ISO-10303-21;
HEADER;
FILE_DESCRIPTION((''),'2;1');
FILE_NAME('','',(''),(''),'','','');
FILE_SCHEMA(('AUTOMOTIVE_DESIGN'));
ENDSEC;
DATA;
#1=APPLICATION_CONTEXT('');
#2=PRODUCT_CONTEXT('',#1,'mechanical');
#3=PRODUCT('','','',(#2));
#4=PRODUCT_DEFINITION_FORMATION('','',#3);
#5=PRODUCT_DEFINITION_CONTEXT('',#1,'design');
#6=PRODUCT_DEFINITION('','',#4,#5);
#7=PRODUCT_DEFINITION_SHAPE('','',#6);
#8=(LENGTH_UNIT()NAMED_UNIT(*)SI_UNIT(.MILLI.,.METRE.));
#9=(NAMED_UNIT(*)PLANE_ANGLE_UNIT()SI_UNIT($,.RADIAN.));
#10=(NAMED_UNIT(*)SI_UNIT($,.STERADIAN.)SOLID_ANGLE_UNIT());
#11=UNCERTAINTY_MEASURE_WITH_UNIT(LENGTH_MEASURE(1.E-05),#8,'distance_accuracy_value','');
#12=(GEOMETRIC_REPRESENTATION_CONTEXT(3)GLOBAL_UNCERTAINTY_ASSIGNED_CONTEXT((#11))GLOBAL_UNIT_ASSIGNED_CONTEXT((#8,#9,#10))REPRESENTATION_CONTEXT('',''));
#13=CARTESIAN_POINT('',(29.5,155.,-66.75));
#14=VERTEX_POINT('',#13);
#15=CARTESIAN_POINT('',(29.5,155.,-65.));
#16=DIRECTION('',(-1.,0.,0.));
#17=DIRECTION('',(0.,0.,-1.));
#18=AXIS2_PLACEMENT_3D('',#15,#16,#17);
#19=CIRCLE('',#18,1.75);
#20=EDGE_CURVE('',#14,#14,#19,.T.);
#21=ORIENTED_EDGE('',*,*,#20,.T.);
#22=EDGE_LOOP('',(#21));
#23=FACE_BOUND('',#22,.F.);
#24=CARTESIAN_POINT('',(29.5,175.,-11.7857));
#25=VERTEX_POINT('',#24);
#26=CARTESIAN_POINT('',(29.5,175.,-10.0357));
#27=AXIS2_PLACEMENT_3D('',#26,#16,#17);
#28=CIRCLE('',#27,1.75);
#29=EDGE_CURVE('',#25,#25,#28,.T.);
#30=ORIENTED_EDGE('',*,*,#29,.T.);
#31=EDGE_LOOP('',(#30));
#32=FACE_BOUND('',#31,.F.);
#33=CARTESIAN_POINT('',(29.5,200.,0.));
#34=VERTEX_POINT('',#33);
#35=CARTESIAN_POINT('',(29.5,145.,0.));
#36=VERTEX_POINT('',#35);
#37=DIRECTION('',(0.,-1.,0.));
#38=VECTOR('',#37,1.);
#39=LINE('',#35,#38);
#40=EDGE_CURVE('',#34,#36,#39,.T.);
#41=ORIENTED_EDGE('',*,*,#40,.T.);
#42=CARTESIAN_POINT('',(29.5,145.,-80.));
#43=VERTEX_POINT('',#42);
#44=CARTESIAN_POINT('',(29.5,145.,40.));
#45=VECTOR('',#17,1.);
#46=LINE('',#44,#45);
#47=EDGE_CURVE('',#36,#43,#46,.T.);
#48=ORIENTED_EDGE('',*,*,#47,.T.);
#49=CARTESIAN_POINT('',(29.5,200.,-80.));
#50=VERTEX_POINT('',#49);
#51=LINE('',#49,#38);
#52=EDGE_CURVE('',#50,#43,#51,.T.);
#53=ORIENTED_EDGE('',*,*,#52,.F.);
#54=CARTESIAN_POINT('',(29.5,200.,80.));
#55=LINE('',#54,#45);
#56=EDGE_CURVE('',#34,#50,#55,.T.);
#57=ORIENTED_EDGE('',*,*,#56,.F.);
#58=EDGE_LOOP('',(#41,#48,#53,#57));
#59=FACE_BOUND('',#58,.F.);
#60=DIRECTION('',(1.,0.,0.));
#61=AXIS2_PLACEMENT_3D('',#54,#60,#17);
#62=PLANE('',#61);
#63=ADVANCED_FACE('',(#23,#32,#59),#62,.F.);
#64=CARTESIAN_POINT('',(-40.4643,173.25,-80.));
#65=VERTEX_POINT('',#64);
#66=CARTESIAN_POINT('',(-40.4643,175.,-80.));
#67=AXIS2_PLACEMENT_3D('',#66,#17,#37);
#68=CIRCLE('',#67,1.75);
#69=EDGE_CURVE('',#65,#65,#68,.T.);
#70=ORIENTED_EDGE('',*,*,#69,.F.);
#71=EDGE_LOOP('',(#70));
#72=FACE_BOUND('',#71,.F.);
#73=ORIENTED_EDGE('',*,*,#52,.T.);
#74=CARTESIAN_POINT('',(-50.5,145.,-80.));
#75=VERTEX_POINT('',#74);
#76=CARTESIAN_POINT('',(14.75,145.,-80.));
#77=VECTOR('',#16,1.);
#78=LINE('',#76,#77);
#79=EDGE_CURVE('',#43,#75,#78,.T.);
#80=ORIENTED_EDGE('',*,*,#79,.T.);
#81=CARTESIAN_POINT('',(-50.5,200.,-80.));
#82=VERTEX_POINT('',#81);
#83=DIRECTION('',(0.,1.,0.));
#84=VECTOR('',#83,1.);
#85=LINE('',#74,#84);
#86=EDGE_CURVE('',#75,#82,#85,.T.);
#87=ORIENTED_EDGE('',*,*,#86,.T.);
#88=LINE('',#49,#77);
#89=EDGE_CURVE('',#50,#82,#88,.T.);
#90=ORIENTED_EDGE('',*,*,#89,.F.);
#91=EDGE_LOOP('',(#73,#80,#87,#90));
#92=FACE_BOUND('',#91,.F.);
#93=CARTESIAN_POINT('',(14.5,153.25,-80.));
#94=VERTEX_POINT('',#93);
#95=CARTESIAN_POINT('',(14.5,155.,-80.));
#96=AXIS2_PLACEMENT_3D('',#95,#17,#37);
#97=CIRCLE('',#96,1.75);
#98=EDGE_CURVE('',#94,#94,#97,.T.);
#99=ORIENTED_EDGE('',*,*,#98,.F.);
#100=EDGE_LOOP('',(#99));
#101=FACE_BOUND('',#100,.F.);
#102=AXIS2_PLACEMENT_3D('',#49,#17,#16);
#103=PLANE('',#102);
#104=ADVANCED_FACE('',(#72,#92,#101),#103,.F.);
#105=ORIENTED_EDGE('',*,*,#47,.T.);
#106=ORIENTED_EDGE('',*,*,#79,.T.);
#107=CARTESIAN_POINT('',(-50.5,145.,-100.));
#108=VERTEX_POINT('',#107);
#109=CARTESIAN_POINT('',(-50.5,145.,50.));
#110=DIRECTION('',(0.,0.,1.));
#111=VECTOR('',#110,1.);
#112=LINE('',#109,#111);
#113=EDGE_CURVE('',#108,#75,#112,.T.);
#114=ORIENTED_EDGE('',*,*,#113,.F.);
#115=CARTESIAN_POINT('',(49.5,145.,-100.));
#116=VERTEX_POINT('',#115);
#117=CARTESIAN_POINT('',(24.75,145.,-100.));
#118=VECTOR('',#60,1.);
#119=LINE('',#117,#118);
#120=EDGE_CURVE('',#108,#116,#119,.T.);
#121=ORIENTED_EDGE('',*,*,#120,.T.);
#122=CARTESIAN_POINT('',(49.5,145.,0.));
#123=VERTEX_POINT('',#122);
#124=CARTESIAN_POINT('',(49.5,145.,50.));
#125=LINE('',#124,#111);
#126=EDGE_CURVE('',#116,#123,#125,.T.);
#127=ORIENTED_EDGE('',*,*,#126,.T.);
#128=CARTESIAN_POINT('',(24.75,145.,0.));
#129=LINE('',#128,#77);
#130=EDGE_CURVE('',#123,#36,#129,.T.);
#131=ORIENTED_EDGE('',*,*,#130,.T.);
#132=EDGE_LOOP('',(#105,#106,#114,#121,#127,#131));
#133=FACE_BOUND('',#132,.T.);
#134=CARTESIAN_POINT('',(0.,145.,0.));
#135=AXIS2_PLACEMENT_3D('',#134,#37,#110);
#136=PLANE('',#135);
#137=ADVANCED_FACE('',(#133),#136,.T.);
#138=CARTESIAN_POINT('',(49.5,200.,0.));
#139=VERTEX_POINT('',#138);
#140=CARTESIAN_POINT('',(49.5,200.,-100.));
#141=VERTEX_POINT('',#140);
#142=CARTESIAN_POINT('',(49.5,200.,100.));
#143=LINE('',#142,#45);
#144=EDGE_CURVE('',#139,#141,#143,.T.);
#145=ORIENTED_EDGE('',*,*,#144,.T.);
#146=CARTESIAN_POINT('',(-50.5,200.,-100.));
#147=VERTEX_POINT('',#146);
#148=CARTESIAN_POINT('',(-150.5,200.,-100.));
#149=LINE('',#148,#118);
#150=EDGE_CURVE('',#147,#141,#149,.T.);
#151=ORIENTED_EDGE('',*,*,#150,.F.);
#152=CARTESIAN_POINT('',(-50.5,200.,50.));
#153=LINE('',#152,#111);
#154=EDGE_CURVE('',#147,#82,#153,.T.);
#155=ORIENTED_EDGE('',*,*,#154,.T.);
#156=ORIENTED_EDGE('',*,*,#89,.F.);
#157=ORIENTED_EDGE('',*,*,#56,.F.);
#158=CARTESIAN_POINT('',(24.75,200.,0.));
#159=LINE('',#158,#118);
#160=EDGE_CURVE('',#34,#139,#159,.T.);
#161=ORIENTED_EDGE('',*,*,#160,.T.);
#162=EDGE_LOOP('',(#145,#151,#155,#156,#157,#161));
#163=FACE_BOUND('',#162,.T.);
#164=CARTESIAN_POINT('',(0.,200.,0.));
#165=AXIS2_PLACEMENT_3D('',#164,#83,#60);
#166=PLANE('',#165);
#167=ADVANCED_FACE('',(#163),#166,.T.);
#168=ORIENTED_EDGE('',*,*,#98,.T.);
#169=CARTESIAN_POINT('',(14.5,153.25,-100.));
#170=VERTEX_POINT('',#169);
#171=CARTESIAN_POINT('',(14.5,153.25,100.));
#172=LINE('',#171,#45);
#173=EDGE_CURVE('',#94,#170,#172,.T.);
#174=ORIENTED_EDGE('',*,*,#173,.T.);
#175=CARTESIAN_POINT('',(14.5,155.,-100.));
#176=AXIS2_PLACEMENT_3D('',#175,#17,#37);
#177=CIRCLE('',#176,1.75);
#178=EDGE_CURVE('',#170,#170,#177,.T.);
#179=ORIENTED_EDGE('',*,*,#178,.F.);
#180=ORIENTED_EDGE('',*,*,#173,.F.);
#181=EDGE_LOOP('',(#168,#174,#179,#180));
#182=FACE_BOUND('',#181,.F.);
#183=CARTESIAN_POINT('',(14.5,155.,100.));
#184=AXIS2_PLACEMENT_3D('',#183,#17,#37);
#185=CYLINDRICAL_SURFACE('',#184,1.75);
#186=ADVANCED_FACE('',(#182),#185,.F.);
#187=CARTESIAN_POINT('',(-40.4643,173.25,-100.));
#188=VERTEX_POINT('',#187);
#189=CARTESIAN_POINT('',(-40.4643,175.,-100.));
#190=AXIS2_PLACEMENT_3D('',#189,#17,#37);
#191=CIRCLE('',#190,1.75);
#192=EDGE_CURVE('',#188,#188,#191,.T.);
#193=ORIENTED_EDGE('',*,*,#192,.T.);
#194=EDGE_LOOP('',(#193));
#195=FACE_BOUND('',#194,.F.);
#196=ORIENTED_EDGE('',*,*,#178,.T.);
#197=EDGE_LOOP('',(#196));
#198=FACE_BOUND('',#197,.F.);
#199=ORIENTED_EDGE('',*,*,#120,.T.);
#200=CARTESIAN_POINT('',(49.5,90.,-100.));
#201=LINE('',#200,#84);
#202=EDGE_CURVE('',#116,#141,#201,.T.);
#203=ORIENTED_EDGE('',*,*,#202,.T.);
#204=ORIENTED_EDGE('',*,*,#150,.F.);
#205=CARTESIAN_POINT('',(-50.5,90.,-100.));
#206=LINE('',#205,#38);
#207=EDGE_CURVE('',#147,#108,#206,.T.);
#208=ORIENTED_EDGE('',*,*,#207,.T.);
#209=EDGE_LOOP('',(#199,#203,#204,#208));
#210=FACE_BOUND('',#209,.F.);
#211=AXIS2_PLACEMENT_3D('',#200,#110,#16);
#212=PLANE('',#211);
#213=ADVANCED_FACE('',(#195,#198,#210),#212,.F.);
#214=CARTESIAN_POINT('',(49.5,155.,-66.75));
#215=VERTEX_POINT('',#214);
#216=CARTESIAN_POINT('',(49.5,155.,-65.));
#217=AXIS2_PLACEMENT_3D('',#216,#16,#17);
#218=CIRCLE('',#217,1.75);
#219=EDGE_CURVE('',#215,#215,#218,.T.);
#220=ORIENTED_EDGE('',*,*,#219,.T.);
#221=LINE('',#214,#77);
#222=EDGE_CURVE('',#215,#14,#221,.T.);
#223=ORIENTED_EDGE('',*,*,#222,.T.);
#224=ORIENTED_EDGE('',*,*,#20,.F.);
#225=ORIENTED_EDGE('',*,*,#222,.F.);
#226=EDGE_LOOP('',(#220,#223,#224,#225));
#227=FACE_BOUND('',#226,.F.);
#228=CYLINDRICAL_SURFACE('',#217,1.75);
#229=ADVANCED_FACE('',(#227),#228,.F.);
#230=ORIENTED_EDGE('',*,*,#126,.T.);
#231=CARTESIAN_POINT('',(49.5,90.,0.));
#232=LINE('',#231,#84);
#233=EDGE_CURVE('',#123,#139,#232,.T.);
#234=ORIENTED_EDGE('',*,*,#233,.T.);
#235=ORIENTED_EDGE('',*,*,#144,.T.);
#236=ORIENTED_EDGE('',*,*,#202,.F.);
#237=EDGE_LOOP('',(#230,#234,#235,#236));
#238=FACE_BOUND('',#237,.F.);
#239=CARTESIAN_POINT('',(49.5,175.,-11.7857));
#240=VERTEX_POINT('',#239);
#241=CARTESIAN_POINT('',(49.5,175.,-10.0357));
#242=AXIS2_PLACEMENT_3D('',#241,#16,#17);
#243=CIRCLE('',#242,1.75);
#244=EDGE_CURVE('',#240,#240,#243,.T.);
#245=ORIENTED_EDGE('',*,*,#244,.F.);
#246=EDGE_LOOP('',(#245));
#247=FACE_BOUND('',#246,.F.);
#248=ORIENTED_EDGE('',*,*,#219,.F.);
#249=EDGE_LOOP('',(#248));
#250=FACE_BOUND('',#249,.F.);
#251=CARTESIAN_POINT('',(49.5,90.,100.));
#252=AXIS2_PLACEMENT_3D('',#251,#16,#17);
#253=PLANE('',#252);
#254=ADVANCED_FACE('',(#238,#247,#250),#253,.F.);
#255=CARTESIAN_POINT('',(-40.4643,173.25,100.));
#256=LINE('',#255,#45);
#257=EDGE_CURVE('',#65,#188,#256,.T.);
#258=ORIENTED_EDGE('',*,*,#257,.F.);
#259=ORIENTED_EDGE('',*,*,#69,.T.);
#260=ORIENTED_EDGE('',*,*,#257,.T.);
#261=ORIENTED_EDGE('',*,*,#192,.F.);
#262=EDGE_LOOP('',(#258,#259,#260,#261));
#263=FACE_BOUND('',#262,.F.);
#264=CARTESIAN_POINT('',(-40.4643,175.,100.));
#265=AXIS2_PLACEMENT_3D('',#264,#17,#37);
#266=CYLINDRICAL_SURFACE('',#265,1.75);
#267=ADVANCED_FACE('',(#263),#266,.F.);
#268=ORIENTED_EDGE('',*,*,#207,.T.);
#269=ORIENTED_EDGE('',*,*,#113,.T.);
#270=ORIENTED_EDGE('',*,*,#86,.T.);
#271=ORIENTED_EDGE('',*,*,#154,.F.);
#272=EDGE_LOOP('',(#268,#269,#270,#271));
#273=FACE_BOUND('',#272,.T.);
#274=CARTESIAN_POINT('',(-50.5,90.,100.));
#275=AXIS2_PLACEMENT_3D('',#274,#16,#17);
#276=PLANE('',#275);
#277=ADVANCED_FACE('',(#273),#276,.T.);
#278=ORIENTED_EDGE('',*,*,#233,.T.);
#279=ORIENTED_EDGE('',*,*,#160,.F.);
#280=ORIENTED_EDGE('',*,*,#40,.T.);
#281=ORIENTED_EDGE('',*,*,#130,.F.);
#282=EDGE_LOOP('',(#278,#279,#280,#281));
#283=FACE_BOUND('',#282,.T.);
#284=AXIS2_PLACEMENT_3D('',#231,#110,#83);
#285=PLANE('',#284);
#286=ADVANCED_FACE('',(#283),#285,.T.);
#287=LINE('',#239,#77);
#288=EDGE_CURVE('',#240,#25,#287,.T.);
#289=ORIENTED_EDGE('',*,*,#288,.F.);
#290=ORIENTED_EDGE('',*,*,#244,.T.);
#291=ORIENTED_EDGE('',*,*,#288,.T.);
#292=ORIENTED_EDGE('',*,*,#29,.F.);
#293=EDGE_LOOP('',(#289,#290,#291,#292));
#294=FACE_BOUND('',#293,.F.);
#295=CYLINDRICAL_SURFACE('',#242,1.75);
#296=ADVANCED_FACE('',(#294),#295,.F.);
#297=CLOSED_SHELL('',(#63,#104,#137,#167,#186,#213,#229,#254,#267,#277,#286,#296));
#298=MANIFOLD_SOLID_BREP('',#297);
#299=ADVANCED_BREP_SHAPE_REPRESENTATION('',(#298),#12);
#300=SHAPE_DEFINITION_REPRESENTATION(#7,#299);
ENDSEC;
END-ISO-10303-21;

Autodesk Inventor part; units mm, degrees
ref_plane "YZ Plane" through (0, 0, 0) normal (1, 0, 0) x (0, 1, 0)
ref_plane "XZ Plane" through (0, 0, 0) normal (0, 1, 0) x (-1, 0, 0)
ref_plane "XY Plane" through (0, 0, 0) normal (0, 0, 1) x (1, 0, 0)
sketch "Boceto2" plane through (0, 0, 0) normal (0, 1, 0) x (-1, 0, 0)
  line L0 (7.5, 100) -> (-7.5, 100)
  line L1 (-7.5, 100) -> (-7.5, -100)
  line L2 (-7.5, -100) -> (7.5, -100)
  line L3 (7.5, -100) -> (7.5, 100)
  line L4 (7.5, 100) -> (-7.5, -100) construction
  line L5 (-7.5, 100) -> (7.5, -100) construction
  point P0 (0, 0)
  dimension "d7" = 15
  dimension "d8" = 200
extrude "Extrusión1" add sketch "Boceto2" along normal blind 10
sketch "Boceto3" plane through (0, 10, 0) normal (0, 1, 0) x (1, 0, 0)
  circle A0 centre (3.25, 58.25) radius 1.75
  line L0 (5, 50) -> (-5, 50)
  line L1 (-5, 50) -> (-5, 60)
  line L2 (-5, 60) -> (5, 60)
  line L3 (5, 60) -> (5, 50)
  line L4 (5, 50) -> (-5, 60) construction
  line L5 (-5, 50) -> (5, 60) construction
  circle A1 centre (-3.25, 51.75) radius 1.75
  line L6 (7.5, 100) -> (-7.5, 100) projected
  line L7 (-7.5, 0) -> (3.408, 0)
  line L8 (5, -60) -> (5, -50)
  line L9 (-5, -60) -> (5, -60)
  line L10 (5, -50) -> (-5, -50)
  line L11 (-5, -50) -> (-5, -60)
  line L12 (-5, -50) -> (5, -60) construction
  circle A2 centre (-3.25, -51.75) radius 1.75
  line L13 (5, -50) -> (-5, -60) construction
  circle A3 centre (3.25, -58.25) radius 1.75
  line L14 (-7.5, -100) -> (7.5, -100) projected
  point P0 (0, 0)
  point P1 (-5, 55)
  point P2 (0, 100)
  point P3 (-5, -55)
  dimension "d11" = 3.5
  dimension "d12" = 1.75
  dimension "d13" = 1.75
  dimension "d14" = 1.75
  dimension "d15" = 1.75
  dimension "d16" = 10
  dimension "d17" = 10
  dimension "d19" = 40
  dimension "d81" = 40
hole "Agujero1" at (3.25, 10, 58.25) at (-3.25, 10, 51.75) at (3.25, 10, -58.25) at (-3.25, 10, -51.75) direction (0, -1, 0) diameter 3.5 end through all
sketch "Boceto4" plane through (0, 10, 0) normal (0, 1, 0) x (1, 0, 0)
  line L0 (-7.5, 100) -> (-7.5, -100) projected
  line L1 (-7.5, -100) -> (7.5, -100)
  line L2 (7.5, -100) -> (7.5, -80)
  line L3 (7.5, -80) -> (-7.5, -80)
  line L4 (-7.5, -80) -> (-7.5, -100)
  line L5 (-7.5, 0) -> (1.0116, 0)
  line L6 (-7.5, -100) -> (-7.5, 100)
  line L7 (-7.5, 100) -> (7.5, 100)
  line L8 (7.5, 100) -> (7.5, 80)
  line L9 (7.5, 80) -> (-7.5, 80)
  line L10 (-7.5, 80) -> (-7.5, 100)
  point P0 (0, 0)
  point P1 (-7.5, -80)
  point P2 (-7.5, 80)
  dimension "d27" = 15
  dimension "d28" = 20
extrude "Extrusión2" add sketch "Boceto4" along normal blind 80
sketch "Boceto5" plane through (0, 90, 0) normal (0, 1, 0) x (1, 0, 0)
  line L0 (-7.5, -100) -> (7.5, -100) projected
  line L1 (-7.5, -100) -> (49.5, -100)
  line L2 (49.5, -100) -> (49.5, 100)
  line L3 (49.5, 100) -> (-7.5, 100)
  line L4 (-7.5, 100) -> (-7.5, -100)
  line L5 (49.5, -100) -> (-150.5, -100)
  line L6 (-150.5, -100) -> (-150.5, 100)
  line L7 (-150.5, 100) -> (49.5, 100)
  line L8 (49.5, 100) -> (49.5, -100)
  point P0 (0, 0)
  point P1 (-7.5, 100)
  dimension "d31" = 57
  dimension "d32" = 200
  dimension "d75" = 200
extrude "Extrusión3" add sketch "Boceto5" along normal blind 110
sketch "Boceto6" plane through (0, 200, 0) normal (0, 1, 0) x (1, 0, 0)
  line L0 (49.5, 100) -> (7.5, 100) projected
  line L1 (49.5, 100) -> (29.5, 100)
  line L2 (29.5, 100) -> (29.5, 80)
  line L3 (7.5, -100) -> (49.5, -100) projected
  line L4 (28.5, -100) -> (28.5, -80)
  line L5 (-150.5, 100) -> (-150.5, -100) projected
  line L6 (29.5, 80) -> (-150.5, 80)
  line L7 (-150.5, 80) -> (-150.5, -80)
  line L8 (-150.5, -80) -> (29.5, -80)
  line L9 (29.5, -80) -> (29.5, 80)
  line L10 (-150.5, -100) -> (49.5, -100) projected
  point P0 (7.5, 80)
  point P1 (-50.5, -100)
  dimension "d36" = 20
  dimension "d37" = 20
  dimension "d38" = 20
  dimension "d77" = 20
extrude "Extrusión4" cut sketch "Boceto6" against normal blind 90 contours L8 L5 L6 L9
sketch "Boceto7" plane through (-150.5, 90, -100) normal (-1, 0, 0) x (0, 0, 1)
  line L0 (0, 110) -> (20, 110) projected
  line L1 (20, 110) -> (10, 110)
  line L2 (10, 110) -> (10, 20)
  line L3 (10, 20) -> (20, 20)
  line L4 (20, 20) -> (20, 110)
  line L5 (180, 110) -> (180, 20) projected
  line L6 (180, 110) -> (190, 110)
  line L7 (190, 110) -> (190, 20)
  line L8 (190, 20) -> (180, 20)
  line L9 (180, 20) -> (180, 110)
  line L10 (200, 0) -> (200, 110) projected
  line L11 (0, 0) -> (0, 110) projected
  line L12 (0, 110) -> (10, 110)
  line L13 (10, 110) -> (10, 20)
  line L14 (10, 20) -> (0, 20)
  line L15 (0, 20) -> (0, 110)
  line L16 (200, 110) -> (0, 110) projected
  line L17 (200, 110) -> (190, 110)
  line L18 (190, 110) -> (190, 20)
  line L19 (190, 20) -> (200, 20)
  line L20 (200, 20) -> (200, 110)
  point P0 (100, -90)
  dimension "d63" = 10
  dimension "d65" = 10
  dimension "d76" = 10
extrude "Extrusión5" cut sketch "Boceto7" against normal blind 30 contours L6 L7 L8 L5 | L0 L4 L3 L2
sketch "Boceto8" plane through (-7.5, 0, 100) normal (0, 0, 1) x (1, 0, 0)
  line L0 (-113, 110) -> (-113, 200) projected
  line L1 (-113, 200) -> (-113, 110)
  circle A0 centre (-124.75, 183.25) radius 1.75
  line L2 (-123, 175) -> (-133, 175)
  line L3 (-133, 175) -> (-133, 185)
  line L4 (-133, 185) -> (-123, 185)
  line L5 (-123, 185) -> (-123, 175)
  line L6 (-123, 175) -> (-133, 185) construction
  line L7 (-133, 175) -> (-123, 185) construction
  circle A1 centre (-131.25, 176.75) radius 1.75
  line L8 (-143, 200) -> (57, 200) projected
  line L9 (-143, 90) -> (-143, 200) projected
  line L10 (-113, 155) -> (-128, 155)
  line L11 (-123, 125) -> (-123, 135)
  line L12 (-133, 125) -> (-123, 125)
  line L13 (-123, 135) -> (-133, 125) construction
  line L14 (-123, 135) -> (-133, 135)
  line L15 (-133, 135) -> (-123, 125) construction
  circle A2 centre (-131.25, 133.25) radius 1.75
  line L16 (-133, 135) -> (-133, 125)
  circle A3 centre (-124.75, 126.75) radius 1.75
  line L17 (-143, 110) -> (-113, 110) projected
  point P0 (7.5, 0)
  point P1 (-133, 180)
  point P2 (-123, 180)
  point P3 (-133, 130)
  point P4 (-123, 130)
  dimension "d45" = 3.5
  dimension "d46" = 1.75
  dimension "d47" = 1.75
  dimension "d48" = 1.75
  dimension "d49" = 1.75
  dimension "d50" = 10
  dimension "d51" = 10
  dimension "d52" = 15
  dimension "d53" = 10
  dimension "d54" = 10
  dimension "d55" = 15
hole "Agujero2" at (-132.25, 183.25, 100) at (-138.75, 176.75, 100) at (-138.75, 133.25, 100) at (-132.25, 126.75, 100) direction (0, 0, -1) diameter 3.5 end through all
ref_plane "Plano de trabajo1" through (-150.5, 90, 100) normal (0, -1, 0) x (1, 0, 0)
split "Dividir1" plane through (-150.5, 90, 100) removes the side toward (0, -1, 0)
ref_plane "Plano de trabajo2" through (49.5, 90, 0) normal (0, 0, -1) x (-1, 0, 0)
ref_plane "Plano de trabajo3" through (-50.5, 90, 100) normal (1, 0, 0) x (0, 0, -1)
ref_plane "Plano de trabajo4" through (0, 145, 0) normal (0, 1, 0) x (1, 0, 0)
sketch "Boceto9" plane through (-150.5, 90, 100) normal (0, 0, 1) x (1, 0, 0)
  line L0 (85.0357, 30) -> (115.0357, 30)
  circle A0 centre (110.0357, 25) radius 1.75
  line L1 (90.0357, 25) -> (110.0357, 25)
  line L2 (115.0357, 30) -> (115.0357, 20)
  circle A1 centre (90.0357, 25) radius 1.75
  line L3 (85.0357, 20) -> (115.0357, 30) construction
  line L4 (85.0357, 30) -> (115.0357, 20) construction
  line L5 (85.0357, 20) -> (85.0357, 30)
  line L6 (115.0357, 20) -> (85.0357, 20)
  line L7 (200, 0) -> (200, 110)
  line L8 (200, 55) -> (88.2857, 55)
  circle A2 centre (90.0357, 85) radius 1.75
  line L9 (85.0357, 80) -> (115.0357, 80)
  line L10 (85.0357, 80) -> (115.0357, 90) construction
  line L11 (85.0357, 90) -> (85.0357, 80)
  line L12 (115.0357, 90) -> (85.0357, 90)
  line L13 (85.0357, 90) -> (115.0357, 80) construction
  circle A3 centre (110.0357, 85) radius 1.75
  line L14 (90.0357, 85) -> (110.0357, 85)
  line L15 (115.0357, 80) -> (115.0357, 90)
  line L16 (100.0357, 55) -> (185.099, 55) construction
  line L17 (160, 70) -> (160, 40)
  circle A4 centre (165, 45) radius 1.75
  line L18 (170, 40) -> (170, 70)
  line L19 (170, 70) -> (160, 40) construction
  line L20 (160, 40) -> (170, 40)
  line L21 (160, 70) -> (170, 40) construction
  circle A5 centre (165, 65) radius 1.75
  line L22 (165, 65) -> (165, 45)
  line L23 (170, 70) -> (160, 70)
  circle A6 centre (55, 65) radius 1.75
  line L24 (60, 70) -> (60, 40)
  line L25 (60, 40) -> (50, 40)
  circle A7 centre (55, 45) radius 1.75
  line L26 (55, 65) -> (55, 45)
  line L27 (60, 70) -> (50, 40) construction
  line L28 (50, 40) -> (50, 70)
  line L29 (50, 70) -> (60, 40) construction
  line L30 (50, 70) -> (60, 70)
  line L31 (30, 110) -> (30, 20)
  point P0 (150.5, -90)
  point P1 (100.0357, 34.7141)
  point P2 (100.0357, 34.7141)
  point P3 (85.0357, 36.6749)
  point P4 (115.0357, 25)
  point P5 (115.0357, 85)
  point P6 (189.1833, 40)
  point P7 (165, 70)
  point P8 (70.0357, 40)
  point P9 (55, 70)
  dimension "d89" = 10
  dimension "d90" = 30
  dimension "d91" = 5
  dimension "d92" = 5
  dimension "d93" = 5
  dimension "d94" = 5
  dimension "d95" = 30
  dimension "d96" = 5
  dimension "d97" = 5
  dimension "d98" = 3.5
  dimension "d99" = 5
  dimension "d100" = 5
  dimension "d101" = 5
  dimension "d102" = 5
  dimension "d103" = 5
  dimension "d104" = 20
hole "Agujero3" at (-60.4643, 175, 100) at (-40.4643, 175, 100) at (14.5, 155, 100) at (-95.5, 155, 100) at (-95.5, 135, 100) at (-60.4643, 115, 100) at (-40.4643, 115, 100) at (14.5, 135, 100) direction (0, 0, -1) diameter 3.5 end through all
sketch "Boceto10" plane through (49.5, 90, 100) normal (1, 0, 0) x (0, 0, -1)
  line L0 (85.0357, 30) -> (115.0357, 30)
  circle A0 centre (110.0357, 25) radius 1.75
  line L1 (90.0357, 25) -> (110.0357, 25)
  line L2 (115.0357, 30) -> (115.0357, 20)
  circle A1 centre (90.0357, 25) radius 1.75
  line L3 (85.0357, 30) -> (115.0357, 20) construction
  line L4 (85.0357, 20) -> (85.0357, 30)
  line L5 (115.0357, 20) -> (85.0357, 20)
  line L6 (85.0357, 20) -> (115.0357, 30) construction
  line L7 (160, 70) -> (160, 40)
  circle A2 centre (165, 45) radius 1.75
  line L8 (160, 40) -> (170, 40)
  line L9 (165, 65) -> (165, 45)
  circle A3 centre (165, 65) radius 1.75
  line L10 (170, 70) -> (160, 40) construction
  line L11 (170, 70) -> (160, 70)
  line L12 (160, 70) -> (170, 40) construction
  line L13 (170, 40) -> (170, 70)
  line L14 (40, 70) -> (40, 40)
  line L15 (35, 65) -> (35, 45)
  circle A4 centre (35, 65) radius 1.75
  line L16 (40, 40) -> (30, 40)
  line L17 (40, 70) -> (30, 40) construction
  line L18 (30, 70) -> (40, 40) construction
  line L19 (30, 70) -> (40, 70)
  line L20 (30, 40) -> (30, 70)
  circle A5 centre (35, 45) radius 1.75
  circle A6 centre (90.0357, 85) radius 1.75
  line L21 (85.0357, 80) -> (115.0357, 80)
  line L22 (115.0357, 80) -> (115.0357, 90)
  circle A7 centre (110.0357, 85) radius 1.75
  line L23 (90.0357, 85) -> (110.0357, 85)
  line L24 (85.0357, 80) -> (115.0357, 90) construction
  line L25 (85.0357, 90) -> (85.0357, 80)
  line L26 (115.0357, 90) -> (85.0357, 90)
  line L27 (85.0357, 90) -> (115.0357, 80) construction
  line L28 (0, 0) -> (0, 110)
  line L29 (200, 0) -> (200, 110)
  point P0 (100, -90)
  point P1 (100.0357, 34.7141)
  point P2 (100.0357, 34.7141)
  point P3 (85.0357, 36.6749)
  point P4 (115.0357, 25)
  point P5 (88.2857, 55)
  point P6 (189.1833, 40)
  point P7 (165, 70)
  point P8 (70.0357, 40)
  point P9 (35, 70)
  point P10 (115.0357, 85)
  point P11 (100.0357, 55)
  dimension "d112" = 10
  dimension "d113" = 30
  dimension "d114" = 5
  dimension "d115" = 5
  dimension "d116" = 5
  dimension "d117" = 5
  dimension "d118" = 5
  dimension "d119" = 5
  dimension "d120" = 3.5
  dimension "d121" = 5
  dimension "d122" = 5
  dimension "d123" = 5
  dimension "d124" = 5
  dimension "d125" = 5
  dimension "d126" = 30
  dimension "d127" = 30
hole "Agujero4" at (49.5, 175, 9.9643) at (49.5, 175, -10.0357) at (49.5, 155, 65) at (49.5, 135, 65) at (49.5, 115, 9.9643) at (49.5, 115, -10.0357) at (49.5, 135, -65) at (49.5, 155, -65) direction (-1, 0, 0) diameter 3.5 end through all
split "Dividir2" plane through (-50.5, 90, 100) removes the side toward (-1, 0, 0)
split "Dividir3" plane through (0, 145, 0) removes the side toward (0, -1, 0)
split "Dividir4" plane through (49.5, 90, 0) removes the side toward (0, 0, 1)
properties part number "container_front_head_5"
